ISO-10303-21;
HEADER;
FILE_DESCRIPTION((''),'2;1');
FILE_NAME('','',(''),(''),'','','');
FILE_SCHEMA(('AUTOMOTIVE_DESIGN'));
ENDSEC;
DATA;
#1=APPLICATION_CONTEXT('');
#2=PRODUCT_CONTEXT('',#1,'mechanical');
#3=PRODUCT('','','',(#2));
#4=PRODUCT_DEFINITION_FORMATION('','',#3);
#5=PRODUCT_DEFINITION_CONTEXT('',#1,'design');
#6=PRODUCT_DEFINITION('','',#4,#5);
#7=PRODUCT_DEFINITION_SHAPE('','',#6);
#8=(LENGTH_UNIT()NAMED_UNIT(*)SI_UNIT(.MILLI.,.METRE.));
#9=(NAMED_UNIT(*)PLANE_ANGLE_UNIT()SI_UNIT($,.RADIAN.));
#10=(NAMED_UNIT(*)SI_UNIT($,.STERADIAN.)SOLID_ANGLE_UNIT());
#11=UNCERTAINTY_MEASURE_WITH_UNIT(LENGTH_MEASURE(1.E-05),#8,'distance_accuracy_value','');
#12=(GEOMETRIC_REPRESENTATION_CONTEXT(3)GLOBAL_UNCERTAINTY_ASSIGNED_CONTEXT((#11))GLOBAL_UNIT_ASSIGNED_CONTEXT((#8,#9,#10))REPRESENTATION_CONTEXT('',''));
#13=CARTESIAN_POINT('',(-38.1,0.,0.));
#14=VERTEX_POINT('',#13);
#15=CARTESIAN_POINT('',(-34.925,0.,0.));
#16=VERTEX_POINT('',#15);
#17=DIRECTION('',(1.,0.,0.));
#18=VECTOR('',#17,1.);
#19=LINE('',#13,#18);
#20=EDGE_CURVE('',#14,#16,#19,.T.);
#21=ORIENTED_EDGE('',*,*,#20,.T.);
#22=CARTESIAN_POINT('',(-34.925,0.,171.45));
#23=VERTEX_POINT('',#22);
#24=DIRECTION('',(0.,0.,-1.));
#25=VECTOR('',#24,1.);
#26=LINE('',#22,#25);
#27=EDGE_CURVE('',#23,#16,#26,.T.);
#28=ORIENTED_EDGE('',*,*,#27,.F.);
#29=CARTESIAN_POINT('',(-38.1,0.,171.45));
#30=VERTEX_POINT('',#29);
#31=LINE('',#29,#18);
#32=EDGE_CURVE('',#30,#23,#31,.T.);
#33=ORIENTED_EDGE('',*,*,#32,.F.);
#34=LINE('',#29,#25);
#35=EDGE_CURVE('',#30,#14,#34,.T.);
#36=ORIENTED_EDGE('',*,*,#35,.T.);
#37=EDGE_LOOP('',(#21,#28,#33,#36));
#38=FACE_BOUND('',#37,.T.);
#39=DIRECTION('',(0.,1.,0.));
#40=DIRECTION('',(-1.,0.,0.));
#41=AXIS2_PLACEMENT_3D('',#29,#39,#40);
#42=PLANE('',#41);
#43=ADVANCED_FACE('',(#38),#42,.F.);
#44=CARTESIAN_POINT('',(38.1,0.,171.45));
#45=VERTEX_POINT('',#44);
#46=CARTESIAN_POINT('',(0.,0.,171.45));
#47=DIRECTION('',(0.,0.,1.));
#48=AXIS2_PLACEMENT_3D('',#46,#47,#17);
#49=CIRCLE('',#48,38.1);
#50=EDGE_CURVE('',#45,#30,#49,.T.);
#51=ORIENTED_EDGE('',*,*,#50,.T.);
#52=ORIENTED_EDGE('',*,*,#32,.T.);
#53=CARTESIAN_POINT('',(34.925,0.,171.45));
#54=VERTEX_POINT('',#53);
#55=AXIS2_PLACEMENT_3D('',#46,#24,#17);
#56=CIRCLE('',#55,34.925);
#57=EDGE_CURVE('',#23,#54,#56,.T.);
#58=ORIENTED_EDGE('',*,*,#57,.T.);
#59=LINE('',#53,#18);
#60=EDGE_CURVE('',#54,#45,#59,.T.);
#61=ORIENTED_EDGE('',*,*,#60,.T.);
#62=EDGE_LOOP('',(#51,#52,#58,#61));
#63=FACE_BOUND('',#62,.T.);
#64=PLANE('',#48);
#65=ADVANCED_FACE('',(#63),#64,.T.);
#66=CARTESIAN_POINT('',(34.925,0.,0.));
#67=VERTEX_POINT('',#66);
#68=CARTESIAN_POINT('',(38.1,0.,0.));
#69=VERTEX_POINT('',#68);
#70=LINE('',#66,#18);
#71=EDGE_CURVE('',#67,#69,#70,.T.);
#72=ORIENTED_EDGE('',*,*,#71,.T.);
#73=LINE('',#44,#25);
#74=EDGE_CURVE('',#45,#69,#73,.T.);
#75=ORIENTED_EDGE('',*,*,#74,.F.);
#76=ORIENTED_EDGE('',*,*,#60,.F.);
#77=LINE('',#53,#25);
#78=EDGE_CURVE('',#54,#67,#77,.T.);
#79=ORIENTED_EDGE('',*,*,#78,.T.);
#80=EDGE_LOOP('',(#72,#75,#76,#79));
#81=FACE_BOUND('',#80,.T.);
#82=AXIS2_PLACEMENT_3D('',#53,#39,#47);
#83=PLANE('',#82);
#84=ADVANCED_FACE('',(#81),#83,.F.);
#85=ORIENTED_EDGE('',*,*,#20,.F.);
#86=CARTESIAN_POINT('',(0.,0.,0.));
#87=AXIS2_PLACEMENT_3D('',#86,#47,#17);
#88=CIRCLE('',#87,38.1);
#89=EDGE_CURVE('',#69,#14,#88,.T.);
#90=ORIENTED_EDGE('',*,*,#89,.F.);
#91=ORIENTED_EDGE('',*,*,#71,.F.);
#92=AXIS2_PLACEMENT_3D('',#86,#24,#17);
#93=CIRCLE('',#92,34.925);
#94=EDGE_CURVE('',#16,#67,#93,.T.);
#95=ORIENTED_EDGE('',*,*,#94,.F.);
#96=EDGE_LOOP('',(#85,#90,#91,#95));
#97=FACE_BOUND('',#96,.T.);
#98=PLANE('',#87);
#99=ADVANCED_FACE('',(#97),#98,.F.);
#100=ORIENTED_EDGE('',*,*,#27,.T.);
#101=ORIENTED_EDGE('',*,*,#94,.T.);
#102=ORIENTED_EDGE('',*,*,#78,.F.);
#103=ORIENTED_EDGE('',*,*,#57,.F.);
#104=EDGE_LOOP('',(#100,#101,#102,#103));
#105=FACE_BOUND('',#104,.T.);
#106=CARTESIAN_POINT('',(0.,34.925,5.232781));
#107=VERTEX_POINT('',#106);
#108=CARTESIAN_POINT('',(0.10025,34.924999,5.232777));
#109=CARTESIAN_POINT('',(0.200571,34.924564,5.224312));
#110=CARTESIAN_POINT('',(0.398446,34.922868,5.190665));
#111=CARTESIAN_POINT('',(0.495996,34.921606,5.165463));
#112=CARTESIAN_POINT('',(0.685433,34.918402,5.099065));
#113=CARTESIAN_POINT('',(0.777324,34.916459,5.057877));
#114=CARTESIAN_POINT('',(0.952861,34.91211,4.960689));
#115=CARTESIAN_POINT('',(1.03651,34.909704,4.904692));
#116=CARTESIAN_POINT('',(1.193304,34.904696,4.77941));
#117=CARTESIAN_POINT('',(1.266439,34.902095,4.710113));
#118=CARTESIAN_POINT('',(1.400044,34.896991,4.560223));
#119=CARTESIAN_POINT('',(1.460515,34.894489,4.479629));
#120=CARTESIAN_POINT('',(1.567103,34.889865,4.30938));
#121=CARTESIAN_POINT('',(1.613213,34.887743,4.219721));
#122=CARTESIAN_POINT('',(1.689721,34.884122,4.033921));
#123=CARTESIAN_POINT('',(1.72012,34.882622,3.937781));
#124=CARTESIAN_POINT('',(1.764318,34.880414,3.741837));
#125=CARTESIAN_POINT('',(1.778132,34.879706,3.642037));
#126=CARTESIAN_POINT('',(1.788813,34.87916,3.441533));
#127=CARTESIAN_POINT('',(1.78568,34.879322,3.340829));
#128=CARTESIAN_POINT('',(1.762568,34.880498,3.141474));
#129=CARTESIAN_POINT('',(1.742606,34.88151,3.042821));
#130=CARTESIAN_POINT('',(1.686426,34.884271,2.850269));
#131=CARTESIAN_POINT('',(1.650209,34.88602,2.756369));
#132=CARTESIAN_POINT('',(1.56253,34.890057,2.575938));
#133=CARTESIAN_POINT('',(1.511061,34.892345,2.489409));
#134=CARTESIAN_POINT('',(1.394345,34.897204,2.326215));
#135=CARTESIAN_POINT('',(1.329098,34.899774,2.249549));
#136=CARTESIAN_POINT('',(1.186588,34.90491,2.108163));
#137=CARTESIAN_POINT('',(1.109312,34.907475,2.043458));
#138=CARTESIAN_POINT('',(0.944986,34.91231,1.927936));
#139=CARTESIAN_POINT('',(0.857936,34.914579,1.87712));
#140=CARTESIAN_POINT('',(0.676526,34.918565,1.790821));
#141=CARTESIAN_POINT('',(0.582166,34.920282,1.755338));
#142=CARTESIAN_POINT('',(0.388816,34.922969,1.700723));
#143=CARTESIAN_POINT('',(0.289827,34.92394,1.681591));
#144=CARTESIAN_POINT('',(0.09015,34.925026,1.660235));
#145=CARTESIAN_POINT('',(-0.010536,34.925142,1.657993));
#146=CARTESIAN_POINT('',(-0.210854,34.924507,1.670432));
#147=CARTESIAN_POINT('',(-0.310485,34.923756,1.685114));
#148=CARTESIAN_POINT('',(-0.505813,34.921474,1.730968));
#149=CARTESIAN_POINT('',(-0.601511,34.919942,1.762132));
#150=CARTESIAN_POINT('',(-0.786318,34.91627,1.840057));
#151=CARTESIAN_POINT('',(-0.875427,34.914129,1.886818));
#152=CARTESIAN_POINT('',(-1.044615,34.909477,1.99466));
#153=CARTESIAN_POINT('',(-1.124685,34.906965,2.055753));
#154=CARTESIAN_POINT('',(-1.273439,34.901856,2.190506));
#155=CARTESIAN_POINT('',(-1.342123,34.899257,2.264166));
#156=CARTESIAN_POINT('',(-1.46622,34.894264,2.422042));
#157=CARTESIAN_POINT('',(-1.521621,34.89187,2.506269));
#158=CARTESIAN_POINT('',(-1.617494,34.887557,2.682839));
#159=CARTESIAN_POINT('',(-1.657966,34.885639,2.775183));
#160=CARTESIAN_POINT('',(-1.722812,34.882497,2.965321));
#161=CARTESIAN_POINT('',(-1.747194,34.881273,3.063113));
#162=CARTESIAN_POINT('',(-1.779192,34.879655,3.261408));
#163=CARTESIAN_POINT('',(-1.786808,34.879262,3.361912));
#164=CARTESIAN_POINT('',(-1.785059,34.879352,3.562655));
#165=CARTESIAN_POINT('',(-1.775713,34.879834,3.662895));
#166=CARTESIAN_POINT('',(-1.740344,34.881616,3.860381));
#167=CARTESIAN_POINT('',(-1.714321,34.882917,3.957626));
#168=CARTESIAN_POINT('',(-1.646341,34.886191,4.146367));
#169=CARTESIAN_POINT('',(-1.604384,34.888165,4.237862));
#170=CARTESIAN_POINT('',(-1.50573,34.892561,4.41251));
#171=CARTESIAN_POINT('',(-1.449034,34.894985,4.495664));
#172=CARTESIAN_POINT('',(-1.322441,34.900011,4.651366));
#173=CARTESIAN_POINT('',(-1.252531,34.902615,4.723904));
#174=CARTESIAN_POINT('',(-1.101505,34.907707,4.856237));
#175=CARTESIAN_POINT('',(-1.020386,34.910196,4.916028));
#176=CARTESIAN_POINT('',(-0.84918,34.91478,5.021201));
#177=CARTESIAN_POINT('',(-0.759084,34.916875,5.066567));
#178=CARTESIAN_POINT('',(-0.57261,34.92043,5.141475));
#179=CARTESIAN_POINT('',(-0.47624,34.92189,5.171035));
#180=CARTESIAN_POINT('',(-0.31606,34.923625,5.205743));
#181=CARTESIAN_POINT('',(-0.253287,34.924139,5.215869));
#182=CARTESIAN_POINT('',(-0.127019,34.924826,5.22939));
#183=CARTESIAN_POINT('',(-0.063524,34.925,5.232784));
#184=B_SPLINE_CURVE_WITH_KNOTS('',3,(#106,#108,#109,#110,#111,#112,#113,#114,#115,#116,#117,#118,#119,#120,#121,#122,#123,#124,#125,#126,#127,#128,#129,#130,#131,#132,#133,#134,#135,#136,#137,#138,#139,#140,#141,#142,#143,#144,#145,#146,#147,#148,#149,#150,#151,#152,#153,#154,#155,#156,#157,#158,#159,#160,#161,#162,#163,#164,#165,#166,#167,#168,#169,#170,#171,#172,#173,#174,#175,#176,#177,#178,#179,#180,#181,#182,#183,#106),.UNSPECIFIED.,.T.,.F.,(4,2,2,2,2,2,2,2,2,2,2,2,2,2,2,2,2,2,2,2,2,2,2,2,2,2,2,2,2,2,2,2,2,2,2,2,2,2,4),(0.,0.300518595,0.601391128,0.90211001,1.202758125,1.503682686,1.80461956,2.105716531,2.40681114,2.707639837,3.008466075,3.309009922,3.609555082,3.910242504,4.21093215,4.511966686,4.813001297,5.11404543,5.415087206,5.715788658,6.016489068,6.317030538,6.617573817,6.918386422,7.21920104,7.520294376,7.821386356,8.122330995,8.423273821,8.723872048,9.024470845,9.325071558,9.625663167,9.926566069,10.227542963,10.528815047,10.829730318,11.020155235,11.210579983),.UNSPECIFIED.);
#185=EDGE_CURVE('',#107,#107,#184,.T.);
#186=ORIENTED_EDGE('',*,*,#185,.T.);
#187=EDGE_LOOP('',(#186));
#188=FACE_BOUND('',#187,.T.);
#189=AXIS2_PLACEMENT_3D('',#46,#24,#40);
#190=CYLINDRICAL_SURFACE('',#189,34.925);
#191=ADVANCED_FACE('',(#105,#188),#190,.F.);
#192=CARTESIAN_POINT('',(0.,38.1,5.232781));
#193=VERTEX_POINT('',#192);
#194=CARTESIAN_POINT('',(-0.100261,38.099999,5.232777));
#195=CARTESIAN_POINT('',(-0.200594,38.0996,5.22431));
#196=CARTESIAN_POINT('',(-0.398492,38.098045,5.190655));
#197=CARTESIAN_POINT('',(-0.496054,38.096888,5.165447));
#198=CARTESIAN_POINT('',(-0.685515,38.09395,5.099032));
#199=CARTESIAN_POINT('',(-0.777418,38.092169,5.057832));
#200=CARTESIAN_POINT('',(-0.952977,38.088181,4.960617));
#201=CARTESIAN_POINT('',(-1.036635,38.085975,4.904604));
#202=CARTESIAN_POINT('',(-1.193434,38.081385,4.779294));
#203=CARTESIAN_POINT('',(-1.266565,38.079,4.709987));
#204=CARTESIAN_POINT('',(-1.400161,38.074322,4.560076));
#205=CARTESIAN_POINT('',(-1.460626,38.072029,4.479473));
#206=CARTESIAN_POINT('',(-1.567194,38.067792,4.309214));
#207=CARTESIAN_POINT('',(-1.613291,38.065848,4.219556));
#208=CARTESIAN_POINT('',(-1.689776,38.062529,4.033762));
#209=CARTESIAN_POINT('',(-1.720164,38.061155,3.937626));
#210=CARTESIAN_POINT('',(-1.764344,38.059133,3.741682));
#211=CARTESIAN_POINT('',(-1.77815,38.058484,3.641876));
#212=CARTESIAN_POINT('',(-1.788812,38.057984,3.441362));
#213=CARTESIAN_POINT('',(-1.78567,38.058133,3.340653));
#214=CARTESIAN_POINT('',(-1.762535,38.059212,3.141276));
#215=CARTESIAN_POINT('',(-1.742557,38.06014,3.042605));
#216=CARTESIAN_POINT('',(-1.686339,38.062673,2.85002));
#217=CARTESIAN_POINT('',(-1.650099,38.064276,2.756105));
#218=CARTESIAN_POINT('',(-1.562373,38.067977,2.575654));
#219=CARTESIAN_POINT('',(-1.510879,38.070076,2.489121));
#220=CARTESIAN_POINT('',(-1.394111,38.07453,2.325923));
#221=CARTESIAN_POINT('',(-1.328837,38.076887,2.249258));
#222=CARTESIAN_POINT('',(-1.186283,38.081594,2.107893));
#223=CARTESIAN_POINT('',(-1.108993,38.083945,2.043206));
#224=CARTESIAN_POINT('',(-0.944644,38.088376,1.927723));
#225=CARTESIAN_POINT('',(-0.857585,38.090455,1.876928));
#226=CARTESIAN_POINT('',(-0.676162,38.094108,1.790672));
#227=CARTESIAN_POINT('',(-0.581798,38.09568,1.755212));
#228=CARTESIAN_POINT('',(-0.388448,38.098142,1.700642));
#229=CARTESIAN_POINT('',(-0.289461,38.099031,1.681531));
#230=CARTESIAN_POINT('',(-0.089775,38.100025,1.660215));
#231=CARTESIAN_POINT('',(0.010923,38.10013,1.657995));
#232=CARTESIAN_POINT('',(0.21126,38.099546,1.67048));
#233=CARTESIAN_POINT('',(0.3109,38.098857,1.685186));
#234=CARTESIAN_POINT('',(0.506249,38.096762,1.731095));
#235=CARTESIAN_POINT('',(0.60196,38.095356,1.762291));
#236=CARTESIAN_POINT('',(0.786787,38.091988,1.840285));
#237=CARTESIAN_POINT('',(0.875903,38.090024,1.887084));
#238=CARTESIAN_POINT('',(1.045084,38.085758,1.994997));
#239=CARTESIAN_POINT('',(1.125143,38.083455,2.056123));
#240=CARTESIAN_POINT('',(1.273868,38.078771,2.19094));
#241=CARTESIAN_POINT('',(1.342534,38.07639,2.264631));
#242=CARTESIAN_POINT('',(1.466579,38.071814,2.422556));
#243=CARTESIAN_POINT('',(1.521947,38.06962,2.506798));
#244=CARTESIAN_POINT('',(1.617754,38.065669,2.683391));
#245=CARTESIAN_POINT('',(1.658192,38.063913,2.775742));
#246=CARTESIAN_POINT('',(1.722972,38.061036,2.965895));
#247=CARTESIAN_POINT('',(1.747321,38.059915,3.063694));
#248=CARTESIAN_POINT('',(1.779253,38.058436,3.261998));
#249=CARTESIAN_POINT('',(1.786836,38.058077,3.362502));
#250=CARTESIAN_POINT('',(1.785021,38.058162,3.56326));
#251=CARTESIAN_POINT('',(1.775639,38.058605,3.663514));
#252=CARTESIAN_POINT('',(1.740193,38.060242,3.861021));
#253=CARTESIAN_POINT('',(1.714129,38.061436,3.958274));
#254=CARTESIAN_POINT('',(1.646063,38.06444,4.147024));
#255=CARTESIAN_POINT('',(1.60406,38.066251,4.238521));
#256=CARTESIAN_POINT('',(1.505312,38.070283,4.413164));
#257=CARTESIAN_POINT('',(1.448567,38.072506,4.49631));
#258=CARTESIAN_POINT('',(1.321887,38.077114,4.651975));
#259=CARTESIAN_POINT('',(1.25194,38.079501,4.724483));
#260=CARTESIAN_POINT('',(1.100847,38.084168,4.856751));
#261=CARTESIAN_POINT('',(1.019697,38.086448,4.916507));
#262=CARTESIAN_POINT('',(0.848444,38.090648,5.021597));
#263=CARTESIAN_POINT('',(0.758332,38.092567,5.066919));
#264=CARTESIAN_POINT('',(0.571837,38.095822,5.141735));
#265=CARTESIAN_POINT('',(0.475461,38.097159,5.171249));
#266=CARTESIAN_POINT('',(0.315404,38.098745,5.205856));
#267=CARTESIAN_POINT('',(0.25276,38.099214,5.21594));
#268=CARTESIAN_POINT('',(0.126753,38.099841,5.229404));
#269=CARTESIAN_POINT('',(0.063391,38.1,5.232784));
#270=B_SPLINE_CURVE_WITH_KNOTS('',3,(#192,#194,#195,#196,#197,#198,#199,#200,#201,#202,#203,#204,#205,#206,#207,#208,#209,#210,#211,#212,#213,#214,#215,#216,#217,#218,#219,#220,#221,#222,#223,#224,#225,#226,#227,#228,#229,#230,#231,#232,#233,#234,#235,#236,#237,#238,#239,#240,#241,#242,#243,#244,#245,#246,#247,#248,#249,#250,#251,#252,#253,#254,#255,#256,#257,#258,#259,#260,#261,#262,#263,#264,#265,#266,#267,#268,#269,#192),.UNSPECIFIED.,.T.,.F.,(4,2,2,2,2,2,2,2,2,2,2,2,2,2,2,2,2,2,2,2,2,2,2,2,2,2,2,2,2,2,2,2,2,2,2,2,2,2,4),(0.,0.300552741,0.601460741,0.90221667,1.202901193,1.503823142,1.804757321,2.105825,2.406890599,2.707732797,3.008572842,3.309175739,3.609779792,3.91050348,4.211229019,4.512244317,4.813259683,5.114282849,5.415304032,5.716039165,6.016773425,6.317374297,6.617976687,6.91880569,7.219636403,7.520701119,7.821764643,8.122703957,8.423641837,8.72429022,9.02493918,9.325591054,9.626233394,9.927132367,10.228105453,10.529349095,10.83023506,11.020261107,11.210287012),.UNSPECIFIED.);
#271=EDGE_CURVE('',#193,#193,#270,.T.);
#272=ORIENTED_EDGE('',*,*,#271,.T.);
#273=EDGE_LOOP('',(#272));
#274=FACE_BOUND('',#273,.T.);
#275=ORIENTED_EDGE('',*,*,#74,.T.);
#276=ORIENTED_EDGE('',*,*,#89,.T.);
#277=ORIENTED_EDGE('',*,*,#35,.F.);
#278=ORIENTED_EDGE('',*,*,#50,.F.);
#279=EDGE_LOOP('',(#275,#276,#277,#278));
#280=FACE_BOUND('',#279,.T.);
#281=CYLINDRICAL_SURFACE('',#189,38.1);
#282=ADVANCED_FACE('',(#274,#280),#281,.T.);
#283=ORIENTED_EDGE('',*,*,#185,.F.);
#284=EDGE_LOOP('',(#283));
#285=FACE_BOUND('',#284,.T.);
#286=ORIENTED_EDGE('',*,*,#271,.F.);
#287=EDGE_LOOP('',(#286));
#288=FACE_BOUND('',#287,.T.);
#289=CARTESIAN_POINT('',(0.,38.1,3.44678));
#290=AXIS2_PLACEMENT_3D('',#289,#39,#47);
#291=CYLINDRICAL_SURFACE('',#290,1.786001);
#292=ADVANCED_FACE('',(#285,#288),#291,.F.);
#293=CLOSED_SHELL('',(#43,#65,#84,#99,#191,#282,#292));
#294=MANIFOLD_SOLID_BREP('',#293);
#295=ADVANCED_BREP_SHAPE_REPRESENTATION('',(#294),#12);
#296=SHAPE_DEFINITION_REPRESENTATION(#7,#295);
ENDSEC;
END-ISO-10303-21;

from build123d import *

# Parameters (mm, degrees)
BOSS_EXTRUDE1_DEPTH             = 171.45
F_9_64_0_14063_DIAMETER_HOLE1_D = 3.572002


with BuildPart() as part:
    # Sketch1 → Boss-Extrude1 (new body)
    with BuildSketch(Plane.XY):
        with BuildLine():
            Line((-38.1, 0), (-34.925, 0))
            ThreePointArc((-34.925, 0), (0, 34.925), (34.925, 0))
            Line((34.925, 0), (38.1, 0))
            ThreePointArc((38.1, 0), (0, 38.1), (-38.1, 0))
        make_face()
    extrude(amount=BOSS_EXTRUDE1_DEPTH)

    # 9/64 (0.14063) Diameter Hole1 (through all)
    with Locations(Plane(origin=(0, 38.1, 0), x_dir=(1, 0, 0), z_dir=(0, 1, 0))):
        with Locations((0, -3.44678)):
            Hole(F_9_64_0_14063_DIAMETER_HOLE1_D / 2)


solid = part.part
